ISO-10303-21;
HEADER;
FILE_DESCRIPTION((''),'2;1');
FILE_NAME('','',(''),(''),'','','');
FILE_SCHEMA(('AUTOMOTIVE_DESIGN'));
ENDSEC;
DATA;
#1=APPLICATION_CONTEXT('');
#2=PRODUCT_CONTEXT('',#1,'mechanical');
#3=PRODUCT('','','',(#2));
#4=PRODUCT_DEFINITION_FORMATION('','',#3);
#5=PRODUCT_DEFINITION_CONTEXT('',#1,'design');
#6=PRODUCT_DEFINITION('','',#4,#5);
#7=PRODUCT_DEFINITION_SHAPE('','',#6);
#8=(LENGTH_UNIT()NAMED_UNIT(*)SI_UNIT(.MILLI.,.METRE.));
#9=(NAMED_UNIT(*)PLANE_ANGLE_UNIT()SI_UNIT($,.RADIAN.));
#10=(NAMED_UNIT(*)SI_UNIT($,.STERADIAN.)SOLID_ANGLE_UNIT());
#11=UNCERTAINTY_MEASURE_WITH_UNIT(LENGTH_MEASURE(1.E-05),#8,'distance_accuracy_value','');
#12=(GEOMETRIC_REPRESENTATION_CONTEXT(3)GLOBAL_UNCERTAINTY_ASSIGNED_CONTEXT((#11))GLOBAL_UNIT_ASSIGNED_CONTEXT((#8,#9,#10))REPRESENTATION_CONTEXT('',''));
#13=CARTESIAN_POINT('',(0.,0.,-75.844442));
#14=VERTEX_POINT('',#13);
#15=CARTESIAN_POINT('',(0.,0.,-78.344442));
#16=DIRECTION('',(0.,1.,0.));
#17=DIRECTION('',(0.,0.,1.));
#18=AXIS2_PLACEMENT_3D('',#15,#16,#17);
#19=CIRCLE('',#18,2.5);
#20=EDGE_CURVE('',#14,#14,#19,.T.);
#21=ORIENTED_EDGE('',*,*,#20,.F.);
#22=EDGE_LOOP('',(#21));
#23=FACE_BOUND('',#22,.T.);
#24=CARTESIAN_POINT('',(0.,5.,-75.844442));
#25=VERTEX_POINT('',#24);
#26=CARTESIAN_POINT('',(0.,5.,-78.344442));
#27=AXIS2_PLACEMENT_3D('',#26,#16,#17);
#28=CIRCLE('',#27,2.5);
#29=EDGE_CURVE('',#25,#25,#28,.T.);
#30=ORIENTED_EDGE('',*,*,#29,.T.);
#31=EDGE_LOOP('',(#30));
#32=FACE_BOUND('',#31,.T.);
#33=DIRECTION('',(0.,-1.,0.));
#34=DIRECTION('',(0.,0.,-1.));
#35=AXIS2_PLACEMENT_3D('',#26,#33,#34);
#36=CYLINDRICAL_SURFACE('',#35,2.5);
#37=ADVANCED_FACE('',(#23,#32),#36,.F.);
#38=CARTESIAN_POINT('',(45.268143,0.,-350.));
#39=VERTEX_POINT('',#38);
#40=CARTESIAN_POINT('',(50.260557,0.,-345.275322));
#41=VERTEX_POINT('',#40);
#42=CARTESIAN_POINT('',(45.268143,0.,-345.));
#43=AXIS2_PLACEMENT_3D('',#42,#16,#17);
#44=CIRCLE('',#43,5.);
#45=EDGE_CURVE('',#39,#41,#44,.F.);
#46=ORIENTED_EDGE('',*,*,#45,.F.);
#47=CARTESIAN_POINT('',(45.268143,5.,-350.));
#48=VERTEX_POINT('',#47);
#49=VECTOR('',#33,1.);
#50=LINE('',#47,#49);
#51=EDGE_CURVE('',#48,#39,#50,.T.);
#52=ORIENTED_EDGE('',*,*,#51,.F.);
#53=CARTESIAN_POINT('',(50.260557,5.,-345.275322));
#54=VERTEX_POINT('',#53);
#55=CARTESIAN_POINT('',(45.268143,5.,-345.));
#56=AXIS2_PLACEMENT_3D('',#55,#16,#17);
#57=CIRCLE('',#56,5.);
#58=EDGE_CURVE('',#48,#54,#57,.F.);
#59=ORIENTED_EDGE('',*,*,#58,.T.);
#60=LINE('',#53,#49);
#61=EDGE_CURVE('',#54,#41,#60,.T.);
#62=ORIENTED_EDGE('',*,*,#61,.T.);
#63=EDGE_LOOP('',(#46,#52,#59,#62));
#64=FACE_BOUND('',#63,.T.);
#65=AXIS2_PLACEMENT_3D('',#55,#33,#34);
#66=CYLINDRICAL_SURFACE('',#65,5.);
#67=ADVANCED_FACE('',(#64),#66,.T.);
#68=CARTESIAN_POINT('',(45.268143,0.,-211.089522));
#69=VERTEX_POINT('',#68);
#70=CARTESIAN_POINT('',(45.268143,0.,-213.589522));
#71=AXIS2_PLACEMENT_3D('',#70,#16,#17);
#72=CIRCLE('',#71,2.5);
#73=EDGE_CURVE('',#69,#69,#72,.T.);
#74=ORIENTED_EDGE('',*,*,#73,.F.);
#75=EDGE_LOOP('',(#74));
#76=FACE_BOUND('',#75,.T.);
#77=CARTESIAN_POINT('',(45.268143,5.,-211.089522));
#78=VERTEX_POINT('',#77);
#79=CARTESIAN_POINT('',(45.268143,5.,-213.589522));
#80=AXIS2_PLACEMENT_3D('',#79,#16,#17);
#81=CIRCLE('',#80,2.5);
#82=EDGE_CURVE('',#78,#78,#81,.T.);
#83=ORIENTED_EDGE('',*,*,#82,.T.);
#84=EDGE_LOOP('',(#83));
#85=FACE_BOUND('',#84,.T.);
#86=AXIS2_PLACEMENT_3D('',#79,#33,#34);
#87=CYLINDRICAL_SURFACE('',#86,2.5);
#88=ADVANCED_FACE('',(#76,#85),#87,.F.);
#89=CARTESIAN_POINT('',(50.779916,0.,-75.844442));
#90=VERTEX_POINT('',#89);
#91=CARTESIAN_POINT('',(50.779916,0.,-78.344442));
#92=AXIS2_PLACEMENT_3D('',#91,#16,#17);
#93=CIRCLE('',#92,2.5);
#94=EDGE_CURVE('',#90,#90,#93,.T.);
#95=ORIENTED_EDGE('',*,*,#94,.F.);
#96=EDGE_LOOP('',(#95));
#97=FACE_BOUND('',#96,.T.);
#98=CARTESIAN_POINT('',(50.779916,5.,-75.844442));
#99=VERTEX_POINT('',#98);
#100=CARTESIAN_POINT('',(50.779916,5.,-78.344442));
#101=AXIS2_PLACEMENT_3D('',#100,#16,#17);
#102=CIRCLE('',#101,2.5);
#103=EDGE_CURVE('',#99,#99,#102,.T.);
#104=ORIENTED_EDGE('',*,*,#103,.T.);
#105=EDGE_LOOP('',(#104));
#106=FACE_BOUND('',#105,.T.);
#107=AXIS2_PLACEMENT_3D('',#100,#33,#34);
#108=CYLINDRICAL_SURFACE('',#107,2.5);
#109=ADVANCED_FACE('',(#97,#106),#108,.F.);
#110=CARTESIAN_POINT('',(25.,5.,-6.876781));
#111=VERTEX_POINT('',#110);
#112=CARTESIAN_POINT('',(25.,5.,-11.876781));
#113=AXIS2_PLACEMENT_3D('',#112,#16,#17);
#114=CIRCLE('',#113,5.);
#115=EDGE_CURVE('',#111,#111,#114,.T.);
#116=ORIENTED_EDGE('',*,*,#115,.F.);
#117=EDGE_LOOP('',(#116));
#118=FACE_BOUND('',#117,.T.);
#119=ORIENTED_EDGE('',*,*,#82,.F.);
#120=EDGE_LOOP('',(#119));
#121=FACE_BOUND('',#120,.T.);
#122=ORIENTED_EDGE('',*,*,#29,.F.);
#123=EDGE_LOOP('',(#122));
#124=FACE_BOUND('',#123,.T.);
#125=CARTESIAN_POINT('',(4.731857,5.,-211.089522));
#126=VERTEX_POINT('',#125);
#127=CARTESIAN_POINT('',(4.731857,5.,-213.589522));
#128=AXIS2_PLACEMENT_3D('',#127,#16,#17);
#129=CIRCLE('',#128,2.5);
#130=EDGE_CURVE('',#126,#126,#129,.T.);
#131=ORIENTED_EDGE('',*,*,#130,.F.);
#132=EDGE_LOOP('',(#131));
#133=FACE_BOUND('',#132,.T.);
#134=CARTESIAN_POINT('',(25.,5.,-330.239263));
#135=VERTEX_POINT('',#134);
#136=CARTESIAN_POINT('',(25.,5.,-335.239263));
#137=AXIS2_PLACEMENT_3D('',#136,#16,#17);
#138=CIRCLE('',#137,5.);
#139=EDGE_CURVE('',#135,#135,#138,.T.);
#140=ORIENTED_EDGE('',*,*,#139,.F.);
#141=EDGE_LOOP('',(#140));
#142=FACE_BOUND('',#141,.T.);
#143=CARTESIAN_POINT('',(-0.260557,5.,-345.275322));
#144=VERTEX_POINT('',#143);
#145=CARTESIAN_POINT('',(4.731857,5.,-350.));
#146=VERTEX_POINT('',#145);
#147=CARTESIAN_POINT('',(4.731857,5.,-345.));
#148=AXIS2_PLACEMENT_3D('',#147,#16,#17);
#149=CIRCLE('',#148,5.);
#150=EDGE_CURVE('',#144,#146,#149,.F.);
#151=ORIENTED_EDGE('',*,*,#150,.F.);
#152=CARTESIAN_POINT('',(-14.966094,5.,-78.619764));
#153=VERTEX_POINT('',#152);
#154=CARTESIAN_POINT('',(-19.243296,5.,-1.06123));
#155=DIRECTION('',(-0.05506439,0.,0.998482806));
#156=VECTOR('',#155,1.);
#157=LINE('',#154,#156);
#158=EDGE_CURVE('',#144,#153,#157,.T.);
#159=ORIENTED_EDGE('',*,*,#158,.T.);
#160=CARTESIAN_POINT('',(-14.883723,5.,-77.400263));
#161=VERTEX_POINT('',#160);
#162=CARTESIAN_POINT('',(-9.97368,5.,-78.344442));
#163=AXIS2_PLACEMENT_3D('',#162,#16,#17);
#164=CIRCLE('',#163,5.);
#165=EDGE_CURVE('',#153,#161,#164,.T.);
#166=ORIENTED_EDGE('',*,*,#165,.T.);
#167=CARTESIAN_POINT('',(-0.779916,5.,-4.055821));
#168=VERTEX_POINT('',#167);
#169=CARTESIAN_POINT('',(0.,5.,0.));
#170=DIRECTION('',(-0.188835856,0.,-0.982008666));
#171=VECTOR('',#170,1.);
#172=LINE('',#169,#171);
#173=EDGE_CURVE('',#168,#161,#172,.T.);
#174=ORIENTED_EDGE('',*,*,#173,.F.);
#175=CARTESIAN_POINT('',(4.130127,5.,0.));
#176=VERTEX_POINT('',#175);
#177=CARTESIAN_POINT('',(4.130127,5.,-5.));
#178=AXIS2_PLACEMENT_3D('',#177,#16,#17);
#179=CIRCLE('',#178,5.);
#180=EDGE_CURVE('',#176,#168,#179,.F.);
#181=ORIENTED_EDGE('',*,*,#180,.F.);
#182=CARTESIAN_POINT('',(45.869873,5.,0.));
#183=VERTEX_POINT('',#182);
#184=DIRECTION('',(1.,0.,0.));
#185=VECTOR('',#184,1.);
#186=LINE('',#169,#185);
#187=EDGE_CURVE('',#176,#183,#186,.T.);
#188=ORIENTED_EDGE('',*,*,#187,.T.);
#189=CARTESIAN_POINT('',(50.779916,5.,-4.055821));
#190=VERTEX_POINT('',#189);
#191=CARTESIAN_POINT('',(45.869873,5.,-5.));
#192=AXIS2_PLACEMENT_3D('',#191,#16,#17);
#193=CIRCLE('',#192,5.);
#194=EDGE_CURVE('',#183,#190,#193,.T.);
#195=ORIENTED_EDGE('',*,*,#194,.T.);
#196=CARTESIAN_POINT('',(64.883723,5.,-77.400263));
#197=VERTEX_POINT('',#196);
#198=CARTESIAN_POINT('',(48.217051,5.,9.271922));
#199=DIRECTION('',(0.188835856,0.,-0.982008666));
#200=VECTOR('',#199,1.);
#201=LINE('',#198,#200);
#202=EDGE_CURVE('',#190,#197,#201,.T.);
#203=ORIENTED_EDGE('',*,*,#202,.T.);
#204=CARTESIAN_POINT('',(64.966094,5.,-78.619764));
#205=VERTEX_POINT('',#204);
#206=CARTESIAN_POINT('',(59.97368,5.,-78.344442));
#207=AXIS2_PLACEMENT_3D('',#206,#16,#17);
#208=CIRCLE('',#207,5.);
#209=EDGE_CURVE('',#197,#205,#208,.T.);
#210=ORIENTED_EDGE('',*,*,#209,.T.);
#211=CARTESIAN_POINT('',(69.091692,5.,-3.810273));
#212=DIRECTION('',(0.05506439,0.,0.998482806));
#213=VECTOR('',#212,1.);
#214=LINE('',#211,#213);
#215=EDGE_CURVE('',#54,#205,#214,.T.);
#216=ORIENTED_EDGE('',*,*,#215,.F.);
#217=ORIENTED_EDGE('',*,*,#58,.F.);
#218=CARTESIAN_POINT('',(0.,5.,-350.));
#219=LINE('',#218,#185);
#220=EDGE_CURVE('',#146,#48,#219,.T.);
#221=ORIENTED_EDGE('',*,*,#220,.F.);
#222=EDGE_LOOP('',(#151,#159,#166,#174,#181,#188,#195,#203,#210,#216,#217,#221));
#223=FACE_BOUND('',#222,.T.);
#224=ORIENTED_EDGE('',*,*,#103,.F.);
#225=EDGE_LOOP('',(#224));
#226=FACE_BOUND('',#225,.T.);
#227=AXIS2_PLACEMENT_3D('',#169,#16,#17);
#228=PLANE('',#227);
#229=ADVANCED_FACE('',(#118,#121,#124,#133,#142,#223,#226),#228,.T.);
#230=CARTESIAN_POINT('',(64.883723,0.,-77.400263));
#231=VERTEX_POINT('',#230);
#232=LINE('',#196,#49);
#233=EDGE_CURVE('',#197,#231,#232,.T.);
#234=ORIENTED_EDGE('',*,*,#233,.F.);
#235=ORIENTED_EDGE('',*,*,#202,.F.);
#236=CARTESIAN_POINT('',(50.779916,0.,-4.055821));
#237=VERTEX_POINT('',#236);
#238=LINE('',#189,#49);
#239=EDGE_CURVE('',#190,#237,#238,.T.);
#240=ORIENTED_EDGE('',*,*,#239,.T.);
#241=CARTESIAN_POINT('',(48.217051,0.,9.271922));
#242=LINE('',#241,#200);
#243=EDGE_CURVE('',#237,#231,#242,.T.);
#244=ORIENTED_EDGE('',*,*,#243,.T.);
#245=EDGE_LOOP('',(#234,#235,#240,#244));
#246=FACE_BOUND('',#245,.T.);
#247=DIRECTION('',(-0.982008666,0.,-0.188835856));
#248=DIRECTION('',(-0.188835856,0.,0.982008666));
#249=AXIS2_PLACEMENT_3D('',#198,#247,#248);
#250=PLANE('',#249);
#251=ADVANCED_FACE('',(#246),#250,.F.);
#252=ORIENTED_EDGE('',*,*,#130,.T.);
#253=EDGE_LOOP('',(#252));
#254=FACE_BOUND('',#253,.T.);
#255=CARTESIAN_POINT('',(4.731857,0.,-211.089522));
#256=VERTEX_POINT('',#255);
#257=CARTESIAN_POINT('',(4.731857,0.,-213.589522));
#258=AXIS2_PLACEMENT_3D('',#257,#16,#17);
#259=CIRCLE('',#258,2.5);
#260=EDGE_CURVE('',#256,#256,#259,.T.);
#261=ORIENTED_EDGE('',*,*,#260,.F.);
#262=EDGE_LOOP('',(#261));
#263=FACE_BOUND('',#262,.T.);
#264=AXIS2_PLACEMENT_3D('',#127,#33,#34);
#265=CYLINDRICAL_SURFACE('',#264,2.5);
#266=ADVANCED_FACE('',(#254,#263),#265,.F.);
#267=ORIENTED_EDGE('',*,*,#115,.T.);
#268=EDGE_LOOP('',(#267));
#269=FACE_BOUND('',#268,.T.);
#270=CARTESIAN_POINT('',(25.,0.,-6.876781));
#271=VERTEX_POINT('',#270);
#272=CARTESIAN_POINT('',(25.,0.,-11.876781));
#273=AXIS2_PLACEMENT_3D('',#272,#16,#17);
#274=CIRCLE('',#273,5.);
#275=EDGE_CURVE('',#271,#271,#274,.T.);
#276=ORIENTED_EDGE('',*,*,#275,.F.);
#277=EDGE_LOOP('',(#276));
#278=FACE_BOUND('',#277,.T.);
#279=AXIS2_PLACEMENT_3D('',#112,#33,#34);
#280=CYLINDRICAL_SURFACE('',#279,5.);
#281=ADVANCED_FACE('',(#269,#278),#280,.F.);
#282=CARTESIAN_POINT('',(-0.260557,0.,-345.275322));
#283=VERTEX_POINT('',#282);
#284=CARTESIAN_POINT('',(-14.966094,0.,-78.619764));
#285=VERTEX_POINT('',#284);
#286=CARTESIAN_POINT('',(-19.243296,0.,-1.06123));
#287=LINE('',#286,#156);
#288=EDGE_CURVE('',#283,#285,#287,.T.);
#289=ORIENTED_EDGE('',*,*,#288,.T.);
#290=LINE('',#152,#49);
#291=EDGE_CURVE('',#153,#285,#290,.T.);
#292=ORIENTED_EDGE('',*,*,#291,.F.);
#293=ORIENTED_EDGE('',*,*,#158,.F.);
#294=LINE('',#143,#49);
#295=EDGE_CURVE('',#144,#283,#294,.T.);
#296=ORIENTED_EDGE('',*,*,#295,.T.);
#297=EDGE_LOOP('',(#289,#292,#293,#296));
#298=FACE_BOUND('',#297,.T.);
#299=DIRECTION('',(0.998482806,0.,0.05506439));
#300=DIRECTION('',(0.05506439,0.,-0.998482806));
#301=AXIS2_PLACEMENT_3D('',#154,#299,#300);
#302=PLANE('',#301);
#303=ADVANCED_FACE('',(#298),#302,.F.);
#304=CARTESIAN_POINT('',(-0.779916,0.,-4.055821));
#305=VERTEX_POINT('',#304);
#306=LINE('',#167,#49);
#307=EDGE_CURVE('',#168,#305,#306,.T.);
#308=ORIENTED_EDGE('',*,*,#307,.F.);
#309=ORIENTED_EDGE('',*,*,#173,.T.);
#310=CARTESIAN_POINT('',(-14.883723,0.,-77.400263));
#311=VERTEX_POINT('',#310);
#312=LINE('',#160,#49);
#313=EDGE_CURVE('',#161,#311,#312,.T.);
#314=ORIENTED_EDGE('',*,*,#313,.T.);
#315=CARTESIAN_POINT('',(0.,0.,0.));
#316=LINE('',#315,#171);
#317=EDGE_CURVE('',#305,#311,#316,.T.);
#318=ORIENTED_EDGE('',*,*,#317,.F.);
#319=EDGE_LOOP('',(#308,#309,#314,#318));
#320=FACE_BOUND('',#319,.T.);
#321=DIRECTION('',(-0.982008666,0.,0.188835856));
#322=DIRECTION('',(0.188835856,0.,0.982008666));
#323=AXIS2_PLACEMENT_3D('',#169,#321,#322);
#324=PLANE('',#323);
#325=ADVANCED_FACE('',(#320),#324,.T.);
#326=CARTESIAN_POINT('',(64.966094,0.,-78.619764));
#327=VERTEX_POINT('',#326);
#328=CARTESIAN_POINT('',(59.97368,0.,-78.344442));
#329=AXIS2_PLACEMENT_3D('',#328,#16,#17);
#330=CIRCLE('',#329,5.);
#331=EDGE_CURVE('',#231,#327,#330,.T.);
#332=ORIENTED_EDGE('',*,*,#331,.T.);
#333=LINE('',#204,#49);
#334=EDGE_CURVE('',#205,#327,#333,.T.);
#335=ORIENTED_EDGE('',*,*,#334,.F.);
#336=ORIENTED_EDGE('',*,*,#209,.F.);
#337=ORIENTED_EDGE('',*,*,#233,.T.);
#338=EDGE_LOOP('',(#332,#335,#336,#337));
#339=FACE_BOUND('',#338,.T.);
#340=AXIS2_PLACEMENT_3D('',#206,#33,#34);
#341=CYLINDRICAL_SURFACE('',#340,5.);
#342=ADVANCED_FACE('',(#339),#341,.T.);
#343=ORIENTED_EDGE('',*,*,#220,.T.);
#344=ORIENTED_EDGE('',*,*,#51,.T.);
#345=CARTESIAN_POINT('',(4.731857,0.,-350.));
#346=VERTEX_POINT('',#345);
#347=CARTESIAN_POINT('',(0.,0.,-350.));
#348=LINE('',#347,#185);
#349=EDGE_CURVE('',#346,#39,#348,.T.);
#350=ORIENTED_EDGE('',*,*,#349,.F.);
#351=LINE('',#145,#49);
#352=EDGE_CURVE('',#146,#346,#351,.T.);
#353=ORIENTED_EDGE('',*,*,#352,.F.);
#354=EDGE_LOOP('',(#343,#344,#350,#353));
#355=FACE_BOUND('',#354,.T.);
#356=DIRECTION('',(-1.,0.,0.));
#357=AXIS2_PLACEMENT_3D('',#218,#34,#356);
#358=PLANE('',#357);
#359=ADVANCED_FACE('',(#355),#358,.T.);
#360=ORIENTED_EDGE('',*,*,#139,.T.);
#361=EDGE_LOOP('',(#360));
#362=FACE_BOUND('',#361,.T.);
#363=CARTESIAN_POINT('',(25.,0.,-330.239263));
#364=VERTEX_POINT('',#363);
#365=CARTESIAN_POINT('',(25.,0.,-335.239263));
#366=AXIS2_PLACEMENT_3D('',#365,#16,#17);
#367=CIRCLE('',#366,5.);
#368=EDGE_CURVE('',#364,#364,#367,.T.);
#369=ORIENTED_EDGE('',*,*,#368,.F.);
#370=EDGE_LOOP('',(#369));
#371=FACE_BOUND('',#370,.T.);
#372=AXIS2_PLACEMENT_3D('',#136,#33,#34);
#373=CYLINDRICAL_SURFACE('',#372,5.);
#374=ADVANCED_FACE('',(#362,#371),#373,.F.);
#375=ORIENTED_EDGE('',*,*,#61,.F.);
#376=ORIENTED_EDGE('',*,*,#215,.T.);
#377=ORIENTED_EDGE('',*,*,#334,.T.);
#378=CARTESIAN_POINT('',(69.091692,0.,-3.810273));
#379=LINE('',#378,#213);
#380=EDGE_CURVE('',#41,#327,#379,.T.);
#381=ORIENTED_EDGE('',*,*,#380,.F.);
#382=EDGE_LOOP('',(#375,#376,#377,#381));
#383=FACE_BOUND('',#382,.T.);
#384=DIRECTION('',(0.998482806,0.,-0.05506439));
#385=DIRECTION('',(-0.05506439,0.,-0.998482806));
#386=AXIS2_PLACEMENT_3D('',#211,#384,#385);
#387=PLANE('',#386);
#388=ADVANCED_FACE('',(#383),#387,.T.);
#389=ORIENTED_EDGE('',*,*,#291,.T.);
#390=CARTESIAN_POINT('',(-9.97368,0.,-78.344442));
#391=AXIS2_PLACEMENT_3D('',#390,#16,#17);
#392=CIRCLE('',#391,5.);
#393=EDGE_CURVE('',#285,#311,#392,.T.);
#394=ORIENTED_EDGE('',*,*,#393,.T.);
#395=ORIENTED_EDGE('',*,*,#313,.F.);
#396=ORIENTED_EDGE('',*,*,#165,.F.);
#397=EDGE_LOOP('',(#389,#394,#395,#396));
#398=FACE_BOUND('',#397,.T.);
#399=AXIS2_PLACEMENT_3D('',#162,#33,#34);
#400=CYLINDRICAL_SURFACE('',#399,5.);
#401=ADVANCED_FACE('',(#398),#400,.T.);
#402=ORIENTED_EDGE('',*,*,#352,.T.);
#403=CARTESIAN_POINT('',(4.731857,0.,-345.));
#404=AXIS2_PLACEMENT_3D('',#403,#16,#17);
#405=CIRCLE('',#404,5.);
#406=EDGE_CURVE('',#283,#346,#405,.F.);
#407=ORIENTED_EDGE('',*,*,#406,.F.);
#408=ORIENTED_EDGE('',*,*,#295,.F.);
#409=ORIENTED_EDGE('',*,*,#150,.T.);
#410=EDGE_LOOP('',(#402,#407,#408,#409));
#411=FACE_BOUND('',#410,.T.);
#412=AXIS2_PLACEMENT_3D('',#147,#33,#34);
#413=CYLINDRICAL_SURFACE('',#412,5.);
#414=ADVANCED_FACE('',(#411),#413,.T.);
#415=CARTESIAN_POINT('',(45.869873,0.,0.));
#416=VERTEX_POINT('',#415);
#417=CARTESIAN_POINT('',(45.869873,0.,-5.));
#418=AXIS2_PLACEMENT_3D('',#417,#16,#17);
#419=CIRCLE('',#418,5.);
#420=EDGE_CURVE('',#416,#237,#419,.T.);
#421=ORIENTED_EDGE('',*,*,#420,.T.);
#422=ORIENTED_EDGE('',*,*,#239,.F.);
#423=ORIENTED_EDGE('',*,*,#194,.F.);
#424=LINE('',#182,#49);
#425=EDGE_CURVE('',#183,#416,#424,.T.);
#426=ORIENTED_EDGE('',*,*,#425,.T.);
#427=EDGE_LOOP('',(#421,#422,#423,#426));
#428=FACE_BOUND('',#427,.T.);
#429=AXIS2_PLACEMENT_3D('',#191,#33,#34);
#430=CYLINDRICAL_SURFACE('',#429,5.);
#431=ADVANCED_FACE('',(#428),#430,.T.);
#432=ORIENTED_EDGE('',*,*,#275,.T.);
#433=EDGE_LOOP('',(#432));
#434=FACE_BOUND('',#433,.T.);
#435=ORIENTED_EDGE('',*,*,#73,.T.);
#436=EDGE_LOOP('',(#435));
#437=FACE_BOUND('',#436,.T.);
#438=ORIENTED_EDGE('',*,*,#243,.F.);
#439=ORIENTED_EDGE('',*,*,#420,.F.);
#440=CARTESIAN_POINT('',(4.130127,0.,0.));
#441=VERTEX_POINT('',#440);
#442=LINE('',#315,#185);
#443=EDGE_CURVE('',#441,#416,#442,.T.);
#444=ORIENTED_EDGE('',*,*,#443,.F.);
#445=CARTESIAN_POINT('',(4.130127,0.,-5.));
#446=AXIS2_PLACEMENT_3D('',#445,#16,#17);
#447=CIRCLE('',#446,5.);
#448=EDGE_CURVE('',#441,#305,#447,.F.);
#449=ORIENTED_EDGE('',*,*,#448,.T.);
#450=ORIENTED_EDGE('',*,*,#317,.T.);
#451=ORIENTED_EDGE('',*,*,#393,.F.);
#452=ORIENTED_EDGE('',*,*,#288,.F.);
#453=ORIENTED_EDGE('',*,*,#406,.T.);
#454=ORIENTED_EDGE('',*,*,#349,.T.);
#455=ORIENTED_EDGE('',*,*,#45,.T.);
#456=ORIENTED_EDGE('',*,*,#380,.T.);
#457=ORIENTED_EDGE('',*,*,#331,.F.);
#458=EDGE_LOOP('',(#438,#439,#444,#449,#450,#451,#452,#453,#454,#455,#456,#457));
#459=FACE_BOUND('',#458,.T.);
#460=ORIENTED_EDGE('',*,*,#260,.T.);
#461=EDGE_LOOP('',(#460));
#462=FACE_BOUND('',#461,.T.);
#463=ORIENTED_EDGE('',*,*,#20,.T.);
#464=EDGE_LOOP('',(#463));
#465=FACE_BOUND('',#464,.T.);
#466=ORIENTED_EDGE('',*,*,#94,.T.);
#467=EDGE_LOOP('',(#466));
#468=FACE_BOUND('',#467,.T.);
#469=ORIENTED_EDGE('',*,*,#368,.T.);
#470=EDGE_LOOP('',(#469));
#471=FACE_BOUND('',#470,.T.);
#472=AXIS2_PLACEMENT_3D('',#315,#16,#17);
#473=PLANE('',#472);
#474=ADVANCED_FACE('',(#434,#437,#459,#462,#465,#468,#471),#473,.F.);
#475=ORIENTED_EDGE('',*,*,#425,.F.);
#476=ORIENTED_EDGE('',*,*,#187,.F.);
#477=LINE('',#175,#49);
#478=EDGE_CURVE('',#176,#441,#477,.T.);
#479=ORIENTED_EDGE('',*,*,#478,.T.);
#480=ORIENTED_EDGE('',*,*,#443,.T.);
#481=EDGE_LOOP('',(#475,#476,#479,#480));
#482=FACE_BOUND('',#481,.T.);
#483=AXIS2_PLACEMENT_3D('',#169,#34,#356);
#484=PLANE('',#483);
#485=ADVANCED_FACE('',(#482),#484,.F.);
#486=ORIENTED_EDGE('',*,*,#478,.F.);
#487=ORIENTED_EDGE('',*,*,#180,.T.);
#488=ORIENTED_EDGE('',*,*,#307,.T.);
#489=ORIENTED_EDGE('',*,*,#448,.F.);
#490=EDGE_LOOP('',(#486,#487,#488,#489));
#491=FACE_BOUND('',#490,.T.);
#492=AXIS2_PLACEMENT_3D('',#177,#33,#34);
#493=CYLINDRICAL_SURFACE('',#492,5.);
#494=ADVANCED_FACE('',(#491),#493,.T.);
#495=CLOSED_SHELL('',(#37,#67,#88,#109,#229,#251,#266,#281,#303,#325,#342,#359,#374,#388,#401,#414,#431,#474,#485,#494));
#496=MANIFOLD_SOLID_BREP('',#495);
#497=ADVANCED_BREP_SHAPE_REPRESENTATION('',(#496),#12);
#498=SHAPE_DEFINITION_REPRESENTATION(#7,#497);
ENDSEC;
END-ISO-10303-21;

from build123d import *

# Parameters (mm, degrees)
SKETCH1_R           = 2.5
SKETCH1_R_2         = 5
BOSS_EXTRUDE1_DEPTH = 5


with BuildPart() as part:
    # Sketch1 → Boss-Extrude1 (new body)
    with BuildSketch(Plane(origin=(0, 0, 0), x_dir=(1, 0, 0), z_dir=(0, 1, 0))):
        with BuildLine():
            Line((4.130127217, 0), (45.869872783, 0))
            ThreePointArc((45.869872783, 0), (49.054139071, 1.145074812), (50.779916111, 4.055820718))
            Line((50.779916111, 4.055820718), (64.883723024, 77.400263156))
            ThreePointArc((64.883723024, 77.400263156), (64.962312899, 78.007487301), (64.966093723, 78.619764391))
            Line((64.966093723, 78.619764391), (50.260556832, 345.275321952))
            ThreePointArc((50.260556832, 345.275321952), (48.704957481, 348.63157058), (45.268142804, 350))
            Line((45.268142804, 350), (4.731857196, 350))
            ThreePointArc((4.731857196, 350), (1.295042519, 348.63157058), (-0.260556832, 345.275321952))
            Line((-0.260556832, 345.275321952), (-14.966093723, 78.619764391))
            ThreePointArc((-14.966093723, 78.619764391), (-14.962312899, 78.007487301), (-14.883723024, 77.400263156))
            Line((-14.883723024, 77.400263156), (-0.779916111, 4.055820718))
            ThreePointArc((-0.779916111, 4.055820718), (0.945860929, 1.145074812), (4.130127217, 0))
        make_face()
        with Locations(Location((50.779916111, 78.344442439, 0), (0, 0, 270))):
            Circle(SKETCH1_R, mode=Mode.SUBTRACT)
        with Locations(Location((0, 78.344442439, 0), (0, 0, 270))):
            Circle(SKETCH1_R, mode=Mode.SUBTRACT)
        with Locations(Location((25, 11.876781334, 0), (0, 0, 270))):
            Circle(SKETCH1_R_2, mode=Mode.SUBTRACT)
        with Locations(Location((45.268142804, 213.58952196, 0), (0, 0, 270))):
            Circle(SKETCH1_R, mode=Mode.SUBTRACT)
        with Locations(Location((4.731857196, 213.58952196, 0), (0, 0, 270))):
            Circle(SKETCH1_R, mode=Mode.SUBTRACT)
        with Locations(Location((25, 335.239262598, 0), (0, 0, 270))):
            Circle(SKETCH1_R_2, mode=Mode.SUBTRACT)
    extrude(amount=BOSS_EXTRUDE1_DEPTH)


solid = part.part
